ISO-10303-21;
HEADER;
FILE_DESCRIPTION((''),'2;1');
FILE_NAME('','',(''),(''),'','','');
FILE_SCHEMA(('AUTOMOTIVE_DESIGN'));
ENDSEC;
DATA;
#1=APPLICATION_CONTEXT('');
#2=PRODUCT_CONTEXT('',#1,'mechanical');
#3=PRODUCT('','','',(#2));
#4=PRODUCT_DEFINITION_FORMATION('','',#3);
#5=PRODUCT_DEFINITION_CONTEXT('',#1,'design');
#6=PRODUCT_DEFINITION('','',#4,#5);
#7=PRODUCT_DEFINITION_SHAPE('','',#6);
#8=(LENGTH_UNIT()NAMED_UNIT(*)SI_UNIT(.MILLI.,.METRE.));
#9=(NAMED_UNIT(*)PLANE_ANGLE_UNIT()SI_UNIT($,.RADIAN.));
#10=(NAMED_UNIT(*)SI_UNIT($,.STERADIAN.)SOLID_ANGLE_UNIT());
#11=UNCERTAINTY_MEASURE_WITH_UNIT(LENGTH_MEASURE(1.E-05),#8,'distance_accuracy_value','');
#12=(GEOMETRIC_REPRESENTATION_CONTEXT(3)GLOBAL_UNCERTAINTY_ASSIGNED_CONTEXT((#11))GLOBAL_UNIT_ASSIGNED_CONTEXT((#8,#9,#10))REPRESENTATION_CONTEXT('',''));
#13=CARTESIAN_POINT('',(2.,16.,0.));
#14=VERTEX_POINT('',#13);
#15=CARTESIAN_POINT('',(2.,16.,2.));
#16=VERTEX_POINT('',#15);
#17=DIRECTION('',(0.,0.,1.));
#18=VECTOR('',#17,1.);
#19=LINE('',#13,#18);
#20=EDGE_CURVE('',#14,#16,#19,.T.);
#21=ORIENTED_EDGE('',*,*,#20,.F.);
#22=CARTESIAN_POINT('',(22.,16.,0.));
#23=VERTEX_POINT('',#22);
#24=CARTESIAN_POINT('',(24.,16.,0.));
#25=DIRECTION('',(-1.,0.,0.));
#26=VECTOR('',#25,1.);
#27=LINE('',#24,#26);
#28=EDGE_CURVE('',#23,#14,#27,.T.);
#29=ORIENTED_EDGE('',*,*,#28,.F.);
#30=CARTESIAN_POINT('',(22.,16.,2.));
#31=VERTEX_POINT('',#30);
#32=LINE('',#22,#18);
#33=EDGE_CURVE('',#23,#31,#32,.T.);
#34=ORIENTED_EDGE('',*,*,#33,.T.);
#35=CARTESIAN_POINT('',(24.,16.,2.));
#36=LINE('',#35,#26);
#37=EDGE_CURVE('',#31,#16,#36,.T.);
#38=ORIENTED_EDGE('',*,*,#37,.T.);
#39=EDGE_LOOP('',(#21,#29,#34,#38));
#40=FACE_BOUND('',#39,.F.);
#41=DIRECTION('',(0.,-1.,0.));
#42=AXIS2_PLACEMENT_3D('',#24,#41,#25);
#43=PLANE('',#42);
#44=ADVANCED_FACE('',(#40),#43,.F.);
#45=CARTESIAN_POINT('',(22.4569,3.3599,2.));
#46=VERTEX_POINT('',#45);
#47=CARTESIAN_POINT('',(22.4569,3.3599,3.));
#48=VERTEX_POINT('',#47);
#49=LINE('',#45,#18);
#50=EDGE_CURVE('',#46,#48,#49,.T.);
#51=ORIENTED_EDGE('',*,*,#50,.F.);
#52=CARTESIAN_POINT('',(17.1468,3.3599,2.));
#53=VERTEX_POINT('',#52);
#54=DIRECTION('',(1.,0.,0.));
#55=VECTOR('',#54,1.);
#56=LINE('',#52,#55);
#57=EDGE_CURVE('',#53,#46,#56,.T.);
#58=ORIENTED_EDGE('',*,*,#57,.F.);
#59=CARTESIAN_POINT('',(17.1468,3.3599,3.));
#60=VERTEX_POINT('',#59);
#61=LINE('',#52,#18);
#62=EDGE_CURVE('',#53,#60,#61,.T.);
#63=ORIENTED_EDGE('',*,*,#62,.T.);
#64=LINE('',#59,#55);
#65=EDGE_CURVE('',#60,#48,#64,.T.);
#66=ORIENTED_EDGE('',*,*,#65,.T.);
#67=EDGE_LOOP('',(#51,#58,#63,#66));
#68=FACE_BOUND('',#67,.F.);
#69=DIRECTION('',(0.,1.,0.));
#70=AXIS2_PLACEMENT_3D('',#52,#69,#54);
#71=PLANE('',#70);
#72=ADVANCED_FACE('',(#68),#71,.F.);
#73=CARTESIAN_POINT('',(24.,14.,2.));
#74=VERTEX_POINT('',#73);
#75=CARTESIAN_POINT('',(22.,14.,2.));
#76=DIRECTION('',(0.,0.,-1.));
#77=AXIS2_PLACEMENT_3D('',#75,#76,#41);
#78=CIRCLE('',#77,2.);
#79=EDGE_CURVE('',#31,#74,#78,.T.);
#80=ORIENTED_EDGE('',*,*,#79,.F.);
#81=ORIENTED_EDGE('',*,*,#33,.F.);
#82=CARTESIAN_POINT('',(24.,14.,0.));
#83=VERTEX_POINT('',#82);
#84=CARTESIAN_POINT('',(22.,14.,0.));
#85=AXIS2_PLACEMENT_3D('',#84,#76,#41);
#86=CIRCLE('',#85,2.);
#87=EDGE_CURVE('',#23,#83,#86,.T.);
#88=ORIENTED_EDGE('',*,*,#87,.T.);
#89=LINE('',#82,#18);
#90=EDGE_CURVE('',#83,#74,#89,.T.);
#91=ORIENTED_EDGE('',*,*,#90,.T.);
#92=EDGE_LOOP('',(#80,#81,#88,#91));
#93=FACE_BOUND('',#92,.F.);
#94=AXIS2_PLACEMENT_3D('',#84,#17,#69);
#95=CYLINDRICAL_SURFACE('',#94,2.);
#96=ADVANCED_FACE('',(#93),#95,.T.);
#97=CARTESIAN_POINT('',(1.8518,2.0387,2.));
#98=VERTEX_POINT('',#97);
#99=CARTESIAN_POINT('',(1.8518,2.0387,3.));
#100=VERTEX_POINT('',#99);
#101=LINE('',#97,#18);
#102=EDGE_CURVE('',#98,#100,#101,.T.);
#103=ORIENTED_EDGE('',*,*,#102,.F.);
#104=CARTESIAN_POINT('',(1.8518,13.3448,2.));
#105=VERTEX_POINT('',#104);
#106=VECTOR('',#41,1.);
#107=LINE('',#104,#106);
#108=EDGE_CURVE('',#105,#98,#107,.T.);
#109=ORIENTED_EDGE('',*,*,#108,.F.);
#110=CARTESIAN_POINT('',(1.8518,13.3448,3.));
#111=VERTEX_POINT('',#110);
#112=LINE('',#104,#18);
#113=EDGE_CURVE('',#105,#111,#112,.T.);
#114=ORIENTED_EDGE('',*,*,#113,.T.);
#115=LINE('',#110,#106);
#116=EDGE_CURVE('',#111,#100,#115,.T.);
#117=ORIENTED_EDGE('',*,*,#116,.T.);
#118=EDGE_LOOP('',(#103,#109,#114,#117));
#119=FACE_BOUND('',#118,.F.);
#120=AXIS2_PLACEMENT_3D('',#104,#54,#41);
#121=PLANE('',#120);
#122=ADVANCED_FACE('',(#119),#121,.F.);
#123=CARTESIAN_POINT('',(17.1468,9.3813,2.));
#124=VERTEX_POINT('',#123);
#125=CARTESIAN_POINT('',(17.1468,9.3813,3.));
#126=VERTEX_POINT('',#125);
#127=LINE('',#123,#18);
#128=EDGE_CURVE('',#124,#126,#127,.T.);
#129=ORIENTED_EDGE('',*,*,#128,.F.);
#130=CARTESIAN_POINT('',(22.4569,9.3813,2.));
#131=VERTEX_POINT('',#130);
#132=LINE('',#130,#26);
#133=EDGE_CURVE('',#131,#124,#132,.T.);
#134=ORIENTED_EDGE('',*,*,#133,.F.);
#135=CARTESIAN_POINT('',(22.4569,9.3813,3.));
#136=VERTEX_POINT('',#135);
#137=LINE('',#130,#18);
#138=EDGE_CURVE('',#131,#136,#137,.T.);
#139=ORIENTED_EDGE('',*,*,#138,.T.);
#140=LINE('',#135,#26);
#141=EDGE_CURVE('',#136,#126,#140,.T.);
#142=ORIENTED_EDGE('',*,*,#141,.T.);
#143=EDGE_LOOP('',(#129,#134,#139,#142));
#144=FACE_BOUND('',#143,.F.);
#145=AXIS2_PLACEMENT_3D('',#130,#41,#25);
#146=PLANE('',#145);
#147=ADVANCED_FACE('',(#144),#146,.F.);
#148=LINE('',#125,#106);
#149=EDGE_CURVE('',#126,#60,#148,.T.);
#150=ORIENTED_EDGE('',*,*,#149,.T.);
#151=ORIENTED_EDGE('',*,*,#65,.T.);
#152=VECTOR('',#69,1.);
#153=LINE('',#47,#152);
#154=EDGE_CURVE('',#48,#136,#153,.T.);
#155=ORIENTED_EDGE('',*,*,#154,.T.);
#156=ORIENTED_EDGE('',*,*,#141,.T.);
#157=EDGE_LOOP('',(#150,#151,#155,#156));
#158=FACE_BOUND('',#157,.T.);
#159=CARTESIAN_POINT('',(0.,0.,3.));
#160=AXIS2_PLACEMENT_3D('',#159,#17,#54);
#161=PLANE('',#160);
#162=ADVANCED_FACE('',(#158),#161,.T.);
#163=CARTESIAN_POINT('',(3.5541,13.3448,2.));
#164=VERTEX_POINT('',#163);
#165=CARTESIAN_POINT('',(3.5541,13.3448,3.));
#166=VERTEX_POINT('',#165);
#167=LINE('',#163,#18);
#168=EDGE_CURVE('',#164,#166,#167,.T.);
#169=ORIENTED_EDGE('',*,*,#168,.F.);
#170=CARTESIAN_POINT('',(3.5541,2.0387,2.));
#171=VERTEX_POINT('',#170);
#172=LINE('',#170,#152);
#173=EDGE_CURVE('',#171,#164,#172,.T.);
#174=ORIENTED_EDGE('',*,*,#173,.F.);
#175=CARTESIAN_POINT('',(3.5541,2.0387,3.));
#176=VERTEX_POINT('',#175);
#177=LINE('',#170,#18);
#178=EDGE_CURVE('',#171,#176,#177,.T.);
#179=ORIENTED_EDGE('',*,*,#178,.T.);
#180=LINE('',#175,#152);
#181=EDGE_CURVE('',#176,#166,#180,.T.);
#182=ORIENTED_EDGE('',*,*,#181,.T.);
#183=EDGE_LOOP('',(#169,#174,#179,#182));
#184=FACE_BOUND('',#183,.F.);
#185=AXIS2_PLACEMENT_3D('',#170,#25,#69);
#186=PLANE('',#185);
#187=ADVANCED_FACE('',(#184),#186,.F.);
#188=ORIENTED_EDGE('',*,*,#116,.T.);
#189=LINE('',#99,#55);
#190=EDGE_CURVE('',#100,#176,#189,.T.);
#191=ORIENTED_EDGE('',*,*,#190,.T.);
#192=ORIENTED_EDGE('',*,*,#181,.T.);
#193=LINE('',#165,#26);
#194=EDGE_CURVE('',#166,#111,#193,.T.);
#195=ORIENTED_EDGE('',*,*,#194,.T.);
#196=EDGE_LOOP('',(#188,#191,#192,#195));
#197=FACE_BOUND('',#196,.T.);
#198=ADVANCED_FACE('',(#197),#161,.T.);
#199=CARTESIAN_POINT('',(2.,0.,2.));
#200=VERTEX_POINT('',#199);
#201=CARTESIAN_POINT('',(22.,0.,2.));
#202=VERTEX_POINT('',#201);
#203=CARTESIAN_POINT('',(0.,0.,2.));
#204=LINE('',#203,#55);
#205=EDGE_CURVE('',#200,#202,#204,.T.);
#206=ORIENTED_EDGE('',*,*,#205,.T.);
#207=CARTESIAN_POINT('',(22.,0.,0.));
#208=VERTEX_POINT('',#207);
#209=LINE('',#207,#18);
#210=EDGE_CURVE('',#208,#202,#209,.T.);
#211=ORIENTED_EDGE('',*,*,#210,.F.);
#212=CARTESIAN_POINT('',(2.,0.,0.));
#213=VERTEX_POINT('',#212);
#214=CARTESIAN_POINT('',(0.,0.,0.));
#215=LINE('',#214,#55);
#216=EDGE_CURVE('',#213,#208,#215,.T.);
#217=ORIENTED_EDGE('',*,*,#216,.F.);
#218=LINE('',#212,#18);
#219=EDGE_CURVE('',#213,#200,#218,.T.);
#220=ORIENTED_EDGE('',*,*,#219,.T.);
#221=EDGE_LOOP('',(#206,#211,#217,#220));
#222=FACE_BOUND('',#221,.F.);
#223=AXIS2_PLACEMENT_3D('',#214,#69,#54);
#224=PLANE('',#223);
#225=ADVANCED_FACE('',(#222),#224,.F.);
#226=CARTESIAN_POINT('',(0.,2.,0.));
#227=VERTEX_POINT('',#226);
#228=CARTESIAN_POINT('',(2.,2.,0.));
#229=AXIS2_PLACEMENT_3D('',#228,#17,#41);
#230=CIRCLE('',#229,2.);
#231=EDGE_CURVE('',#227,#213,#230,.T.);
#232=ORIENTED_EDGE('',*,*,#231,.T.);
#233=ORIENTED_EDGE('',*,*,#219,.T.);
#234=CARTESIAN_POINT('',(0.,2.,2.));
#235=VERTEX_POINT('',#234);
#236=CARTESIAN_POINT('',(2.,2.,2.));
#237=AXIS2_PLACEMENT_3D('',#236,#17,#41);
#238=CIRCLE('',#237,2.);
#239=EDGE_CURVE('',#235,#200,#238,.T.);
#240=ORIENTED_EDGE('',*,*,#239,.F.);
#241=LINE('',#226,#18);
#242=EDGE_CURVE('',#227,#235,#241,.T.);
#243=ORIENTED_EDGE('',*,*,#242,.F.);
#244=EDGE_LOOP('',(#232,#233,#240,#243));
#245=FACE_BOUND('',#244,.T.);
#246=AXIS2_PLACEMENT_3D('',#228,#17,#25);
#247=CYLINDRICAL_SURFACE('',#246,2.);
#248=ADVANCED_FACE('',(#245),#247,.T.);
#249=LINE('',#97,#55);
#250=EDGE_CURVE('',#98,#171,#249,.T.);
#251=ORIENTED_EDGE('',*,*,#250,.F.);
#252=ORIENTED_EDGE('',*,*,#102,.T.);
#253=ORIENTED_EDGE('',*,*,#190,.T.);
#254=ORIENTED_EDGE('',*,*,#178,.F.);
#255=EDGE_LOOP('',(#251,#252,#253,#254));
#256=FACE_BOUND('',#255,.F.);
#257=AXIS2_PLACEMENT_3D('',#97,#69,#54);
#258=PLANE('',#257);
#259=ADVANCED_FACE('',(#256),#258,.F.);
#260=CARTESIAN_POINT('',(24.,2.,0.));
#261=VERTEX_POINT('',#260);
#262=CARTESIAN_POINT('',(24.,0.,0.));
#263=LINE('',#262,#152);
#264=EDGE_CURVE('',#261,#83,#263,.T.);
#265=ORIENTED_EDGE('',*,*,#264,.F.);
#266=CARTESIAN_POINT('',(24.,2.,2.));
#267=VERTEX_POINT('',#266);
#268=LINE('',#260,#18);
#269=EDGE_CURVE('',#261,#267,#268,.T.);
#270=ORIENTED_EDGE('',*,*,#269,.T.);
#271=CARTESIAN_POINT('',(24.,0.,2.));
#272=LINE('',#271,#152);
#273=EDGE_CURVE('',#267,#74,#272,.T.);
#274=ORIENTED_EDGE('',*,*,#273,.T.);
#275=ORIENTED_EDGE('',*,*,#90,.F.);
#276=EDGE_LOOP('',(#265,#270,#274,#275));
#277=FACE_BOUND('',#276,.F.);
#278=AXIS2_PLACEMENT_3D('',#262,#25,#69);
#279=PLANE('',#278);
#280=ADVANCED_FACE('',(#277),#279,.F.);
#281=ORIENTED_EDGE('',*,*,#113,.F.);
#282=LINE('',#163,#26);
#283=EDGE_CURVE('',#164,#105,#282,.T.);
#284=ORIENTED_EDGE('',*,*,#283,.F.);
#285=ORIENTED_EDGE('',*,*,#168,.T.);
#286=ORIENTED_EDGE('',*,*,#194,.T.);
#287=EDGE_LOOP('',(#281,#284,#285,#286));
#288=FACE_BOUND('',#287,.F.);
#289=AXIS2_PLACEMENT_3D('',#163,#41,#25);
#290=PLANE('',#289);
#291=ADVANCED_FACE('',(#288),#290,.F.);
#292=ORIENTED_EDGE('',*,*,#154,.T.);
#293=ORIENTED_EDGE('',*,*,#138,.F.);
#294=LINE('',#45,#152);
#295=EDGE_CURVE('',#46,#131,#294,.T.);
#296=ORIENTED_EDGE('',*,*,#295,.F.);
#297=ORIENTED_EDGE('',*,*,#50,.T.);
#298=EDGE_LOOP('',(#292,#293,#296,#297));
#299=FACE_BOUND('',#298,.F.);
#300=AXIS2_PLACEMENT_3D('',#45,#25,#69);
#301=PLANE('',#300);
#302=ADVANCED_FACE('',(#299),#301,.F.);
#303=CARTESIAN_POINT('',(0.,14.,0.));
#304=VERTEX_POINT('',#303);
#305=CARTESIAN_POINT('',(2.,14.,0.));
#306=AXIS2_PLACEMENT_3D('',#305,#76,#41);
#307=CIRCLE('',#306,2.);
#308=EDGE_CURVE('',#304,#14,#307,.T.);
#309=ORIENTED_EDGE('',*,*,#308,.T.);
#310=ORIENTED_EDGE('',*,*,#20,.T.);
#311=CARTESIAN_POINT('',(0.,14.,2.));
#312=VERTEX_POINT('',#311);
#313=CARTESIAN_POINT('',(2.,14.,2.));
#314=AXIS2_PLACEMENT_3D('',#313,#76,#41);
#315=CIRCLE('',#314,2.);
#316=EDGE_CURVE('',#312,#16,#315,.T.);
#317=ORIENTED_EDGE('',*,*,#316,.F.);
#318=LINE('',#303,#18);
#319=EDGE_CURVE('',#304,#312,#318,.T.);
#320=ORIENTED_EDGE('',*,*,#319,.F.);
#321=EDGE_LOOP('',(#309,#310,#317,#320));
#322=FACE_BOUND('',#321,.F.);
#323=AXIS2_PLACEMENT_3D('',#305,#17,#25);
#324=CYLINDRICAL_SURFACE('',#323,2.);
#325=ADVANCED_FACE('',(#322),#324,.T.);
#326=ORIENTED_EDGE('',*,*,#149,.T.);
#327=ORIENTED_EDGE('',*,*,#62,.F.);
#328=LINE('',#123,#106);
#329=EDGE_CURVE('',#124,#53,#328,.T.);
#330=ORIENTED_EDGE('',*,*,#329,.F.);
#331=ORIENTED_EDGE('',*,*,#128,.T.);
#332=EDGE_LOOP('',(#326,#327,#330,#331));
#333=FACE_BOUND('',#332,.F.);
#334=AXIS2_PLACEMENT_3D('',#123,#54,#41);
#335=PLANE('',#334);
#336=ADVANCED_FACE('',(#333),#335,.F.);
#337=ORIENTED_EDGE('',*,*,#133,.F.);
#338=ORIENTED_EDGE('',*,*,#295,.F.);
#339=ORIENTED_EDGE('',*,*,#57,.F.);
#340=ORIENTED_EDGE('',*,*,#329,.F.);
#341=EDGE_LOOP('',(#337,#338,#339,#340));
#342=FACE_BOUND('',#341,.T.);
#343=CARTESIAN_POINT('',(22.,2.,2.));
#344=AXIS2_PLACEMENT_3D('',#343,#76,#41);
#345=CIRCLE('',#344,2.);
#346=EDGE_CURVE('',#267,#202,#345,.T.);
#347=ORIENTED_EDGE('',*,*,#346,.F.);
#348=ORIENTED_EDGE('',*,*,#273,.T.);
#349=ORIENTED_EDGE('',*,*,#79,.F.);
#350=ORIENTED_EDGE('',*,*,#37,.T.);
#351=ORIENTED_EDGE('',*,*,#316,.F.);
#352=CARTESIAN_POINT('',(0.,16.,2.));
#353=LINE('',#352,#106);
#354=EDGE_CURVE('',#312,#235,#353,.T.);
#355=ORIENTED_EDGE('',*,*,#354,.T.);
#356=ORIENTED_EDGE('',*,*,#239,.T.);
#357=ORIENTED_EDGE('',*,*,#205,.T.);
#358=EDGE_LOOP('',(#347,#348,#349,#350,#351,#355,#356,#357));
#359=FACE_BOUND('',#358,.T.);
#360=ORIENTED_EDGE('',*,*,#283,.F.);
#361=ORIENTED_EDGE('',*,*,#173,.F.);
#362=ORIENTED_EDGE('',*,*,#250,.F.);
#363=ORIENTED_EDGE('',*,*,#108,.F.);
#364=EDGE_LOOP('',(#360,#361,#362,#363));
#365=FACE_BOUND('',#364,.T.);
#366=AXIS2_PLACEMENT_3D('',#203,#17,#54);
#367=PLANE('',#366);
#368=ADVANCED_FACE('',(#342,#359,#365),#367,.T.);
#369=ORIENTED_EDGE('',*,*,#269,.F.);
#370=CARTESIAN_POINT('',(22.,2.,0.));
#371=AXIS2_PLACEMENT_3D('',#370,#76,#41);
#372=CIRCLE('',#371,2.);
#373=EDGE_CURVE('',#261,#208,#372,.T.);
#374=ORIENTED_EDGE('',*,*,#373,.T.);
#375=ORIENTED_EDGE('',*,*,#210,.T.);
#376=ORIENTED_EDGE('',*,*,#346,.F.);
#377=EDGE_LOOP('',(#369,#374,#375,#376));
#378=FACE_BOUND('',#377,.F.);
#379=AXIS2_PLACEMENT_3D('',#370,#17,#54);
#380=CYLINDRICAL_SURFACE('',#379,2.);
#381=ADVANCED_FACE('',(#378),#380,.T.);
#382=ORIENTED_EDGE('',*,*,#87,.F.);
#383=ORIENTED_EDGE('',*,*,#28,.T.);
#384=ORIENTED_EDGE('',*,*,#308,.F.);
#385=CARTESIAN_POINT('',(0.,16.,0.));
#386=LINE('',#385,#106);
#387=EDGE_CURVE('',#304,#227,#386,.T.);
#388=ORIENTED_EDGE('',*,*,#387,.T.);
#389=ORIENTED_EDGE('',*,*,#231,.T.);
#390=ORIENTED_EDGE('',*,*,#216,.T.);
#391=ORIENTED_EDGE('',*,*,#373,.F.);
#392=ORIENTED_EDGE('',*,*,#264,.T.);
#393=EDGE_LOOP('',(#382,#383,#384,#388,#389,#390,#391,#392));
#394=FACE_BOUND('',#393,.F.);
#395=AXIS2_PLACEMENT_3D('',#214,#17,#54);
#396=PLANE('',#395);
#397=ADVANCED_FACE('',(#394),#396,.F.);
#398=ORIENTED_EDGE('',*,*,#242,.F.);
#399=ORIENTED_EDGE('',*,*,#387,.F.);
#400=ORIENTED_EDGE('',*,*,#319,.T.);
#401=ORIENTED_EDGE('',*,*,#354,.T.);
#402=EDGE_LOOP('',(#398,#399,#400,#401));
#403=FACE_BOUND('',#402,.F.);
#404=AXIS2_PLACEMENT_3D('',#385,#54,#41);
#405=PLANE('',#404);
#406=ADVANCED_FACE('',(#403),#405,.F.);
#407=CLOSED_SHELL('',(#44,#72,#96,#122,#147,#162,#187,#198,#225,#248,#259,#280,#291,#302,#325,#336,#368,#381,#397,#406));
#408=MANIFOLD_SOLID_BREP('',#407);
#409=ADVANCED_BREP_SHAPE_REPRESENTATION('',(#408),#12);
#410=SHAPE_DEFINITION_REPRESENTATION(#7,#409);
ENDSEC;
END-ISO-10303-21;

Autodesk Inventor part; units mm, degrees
ref_plane "YZ Plane" through (0, 0, 0) normal (1, 0, 0) x (0, 1, 0)
ref_plane "XZ Plane" through (0, 0, 0) normal (0, 1, 0) x (-1, 0, 0)
ref_plane "XY Plane" through (0, 0, 0) normal (0, 0, 1) x (1, 0, 0)
sketch "Sketch1" plane through (0, 0, 0) normal (0, 0, 1) x (1, 0, 0)
  line L0 (0, 0) -> (24, 0)
  line L1 (24, 0) -> (24, 16)
  line L2 (24, 16) -> (0, 16)
  line L3 (0, 16) -> (0, 0)
  dimension "d0" = 24
  dimension "d1" = 16
extrude "Extrusion1" add sketch "Sketch1" along normal blind 2
fillet "Fillet1" radius 2 4 edges at (0, 16, 1) (0, 0, 1) (24, 0, 1) (24, 16, 1)
sketch "Sketch2" plane through (0, 0, 2) normal (0, 0, 1) x (1, 0, 0)
  line L0 (1.8518, 13.3448) -> (1.8518, 2.0387)
  line L1 (1.8518, 2.0387) -> (3.5541, 2.0387)
  line L2 (3.5541, 2.0387) -> (3.5541, 13.3448)
  line L3 (3.5541, 13.3448) -> (1.8518, 13.3448)
  line L4 (17.1468, 9.3813) -> (17.1468, 3.3599)
  line L5 (17.1468, 3.3599) -> (22.4569, 3.3599)
  line L6 (22.4569, 3.3599) -> (22.4569, 9.3813)
  line L7 (22.4569, 9.3813) -> (17.1468, 9.3813)
  point P0 (0, 0)
extrude "Extrusion2" add sketch "Sketch2" along normal blind 1
properties part number "AmplificadorFInal"
